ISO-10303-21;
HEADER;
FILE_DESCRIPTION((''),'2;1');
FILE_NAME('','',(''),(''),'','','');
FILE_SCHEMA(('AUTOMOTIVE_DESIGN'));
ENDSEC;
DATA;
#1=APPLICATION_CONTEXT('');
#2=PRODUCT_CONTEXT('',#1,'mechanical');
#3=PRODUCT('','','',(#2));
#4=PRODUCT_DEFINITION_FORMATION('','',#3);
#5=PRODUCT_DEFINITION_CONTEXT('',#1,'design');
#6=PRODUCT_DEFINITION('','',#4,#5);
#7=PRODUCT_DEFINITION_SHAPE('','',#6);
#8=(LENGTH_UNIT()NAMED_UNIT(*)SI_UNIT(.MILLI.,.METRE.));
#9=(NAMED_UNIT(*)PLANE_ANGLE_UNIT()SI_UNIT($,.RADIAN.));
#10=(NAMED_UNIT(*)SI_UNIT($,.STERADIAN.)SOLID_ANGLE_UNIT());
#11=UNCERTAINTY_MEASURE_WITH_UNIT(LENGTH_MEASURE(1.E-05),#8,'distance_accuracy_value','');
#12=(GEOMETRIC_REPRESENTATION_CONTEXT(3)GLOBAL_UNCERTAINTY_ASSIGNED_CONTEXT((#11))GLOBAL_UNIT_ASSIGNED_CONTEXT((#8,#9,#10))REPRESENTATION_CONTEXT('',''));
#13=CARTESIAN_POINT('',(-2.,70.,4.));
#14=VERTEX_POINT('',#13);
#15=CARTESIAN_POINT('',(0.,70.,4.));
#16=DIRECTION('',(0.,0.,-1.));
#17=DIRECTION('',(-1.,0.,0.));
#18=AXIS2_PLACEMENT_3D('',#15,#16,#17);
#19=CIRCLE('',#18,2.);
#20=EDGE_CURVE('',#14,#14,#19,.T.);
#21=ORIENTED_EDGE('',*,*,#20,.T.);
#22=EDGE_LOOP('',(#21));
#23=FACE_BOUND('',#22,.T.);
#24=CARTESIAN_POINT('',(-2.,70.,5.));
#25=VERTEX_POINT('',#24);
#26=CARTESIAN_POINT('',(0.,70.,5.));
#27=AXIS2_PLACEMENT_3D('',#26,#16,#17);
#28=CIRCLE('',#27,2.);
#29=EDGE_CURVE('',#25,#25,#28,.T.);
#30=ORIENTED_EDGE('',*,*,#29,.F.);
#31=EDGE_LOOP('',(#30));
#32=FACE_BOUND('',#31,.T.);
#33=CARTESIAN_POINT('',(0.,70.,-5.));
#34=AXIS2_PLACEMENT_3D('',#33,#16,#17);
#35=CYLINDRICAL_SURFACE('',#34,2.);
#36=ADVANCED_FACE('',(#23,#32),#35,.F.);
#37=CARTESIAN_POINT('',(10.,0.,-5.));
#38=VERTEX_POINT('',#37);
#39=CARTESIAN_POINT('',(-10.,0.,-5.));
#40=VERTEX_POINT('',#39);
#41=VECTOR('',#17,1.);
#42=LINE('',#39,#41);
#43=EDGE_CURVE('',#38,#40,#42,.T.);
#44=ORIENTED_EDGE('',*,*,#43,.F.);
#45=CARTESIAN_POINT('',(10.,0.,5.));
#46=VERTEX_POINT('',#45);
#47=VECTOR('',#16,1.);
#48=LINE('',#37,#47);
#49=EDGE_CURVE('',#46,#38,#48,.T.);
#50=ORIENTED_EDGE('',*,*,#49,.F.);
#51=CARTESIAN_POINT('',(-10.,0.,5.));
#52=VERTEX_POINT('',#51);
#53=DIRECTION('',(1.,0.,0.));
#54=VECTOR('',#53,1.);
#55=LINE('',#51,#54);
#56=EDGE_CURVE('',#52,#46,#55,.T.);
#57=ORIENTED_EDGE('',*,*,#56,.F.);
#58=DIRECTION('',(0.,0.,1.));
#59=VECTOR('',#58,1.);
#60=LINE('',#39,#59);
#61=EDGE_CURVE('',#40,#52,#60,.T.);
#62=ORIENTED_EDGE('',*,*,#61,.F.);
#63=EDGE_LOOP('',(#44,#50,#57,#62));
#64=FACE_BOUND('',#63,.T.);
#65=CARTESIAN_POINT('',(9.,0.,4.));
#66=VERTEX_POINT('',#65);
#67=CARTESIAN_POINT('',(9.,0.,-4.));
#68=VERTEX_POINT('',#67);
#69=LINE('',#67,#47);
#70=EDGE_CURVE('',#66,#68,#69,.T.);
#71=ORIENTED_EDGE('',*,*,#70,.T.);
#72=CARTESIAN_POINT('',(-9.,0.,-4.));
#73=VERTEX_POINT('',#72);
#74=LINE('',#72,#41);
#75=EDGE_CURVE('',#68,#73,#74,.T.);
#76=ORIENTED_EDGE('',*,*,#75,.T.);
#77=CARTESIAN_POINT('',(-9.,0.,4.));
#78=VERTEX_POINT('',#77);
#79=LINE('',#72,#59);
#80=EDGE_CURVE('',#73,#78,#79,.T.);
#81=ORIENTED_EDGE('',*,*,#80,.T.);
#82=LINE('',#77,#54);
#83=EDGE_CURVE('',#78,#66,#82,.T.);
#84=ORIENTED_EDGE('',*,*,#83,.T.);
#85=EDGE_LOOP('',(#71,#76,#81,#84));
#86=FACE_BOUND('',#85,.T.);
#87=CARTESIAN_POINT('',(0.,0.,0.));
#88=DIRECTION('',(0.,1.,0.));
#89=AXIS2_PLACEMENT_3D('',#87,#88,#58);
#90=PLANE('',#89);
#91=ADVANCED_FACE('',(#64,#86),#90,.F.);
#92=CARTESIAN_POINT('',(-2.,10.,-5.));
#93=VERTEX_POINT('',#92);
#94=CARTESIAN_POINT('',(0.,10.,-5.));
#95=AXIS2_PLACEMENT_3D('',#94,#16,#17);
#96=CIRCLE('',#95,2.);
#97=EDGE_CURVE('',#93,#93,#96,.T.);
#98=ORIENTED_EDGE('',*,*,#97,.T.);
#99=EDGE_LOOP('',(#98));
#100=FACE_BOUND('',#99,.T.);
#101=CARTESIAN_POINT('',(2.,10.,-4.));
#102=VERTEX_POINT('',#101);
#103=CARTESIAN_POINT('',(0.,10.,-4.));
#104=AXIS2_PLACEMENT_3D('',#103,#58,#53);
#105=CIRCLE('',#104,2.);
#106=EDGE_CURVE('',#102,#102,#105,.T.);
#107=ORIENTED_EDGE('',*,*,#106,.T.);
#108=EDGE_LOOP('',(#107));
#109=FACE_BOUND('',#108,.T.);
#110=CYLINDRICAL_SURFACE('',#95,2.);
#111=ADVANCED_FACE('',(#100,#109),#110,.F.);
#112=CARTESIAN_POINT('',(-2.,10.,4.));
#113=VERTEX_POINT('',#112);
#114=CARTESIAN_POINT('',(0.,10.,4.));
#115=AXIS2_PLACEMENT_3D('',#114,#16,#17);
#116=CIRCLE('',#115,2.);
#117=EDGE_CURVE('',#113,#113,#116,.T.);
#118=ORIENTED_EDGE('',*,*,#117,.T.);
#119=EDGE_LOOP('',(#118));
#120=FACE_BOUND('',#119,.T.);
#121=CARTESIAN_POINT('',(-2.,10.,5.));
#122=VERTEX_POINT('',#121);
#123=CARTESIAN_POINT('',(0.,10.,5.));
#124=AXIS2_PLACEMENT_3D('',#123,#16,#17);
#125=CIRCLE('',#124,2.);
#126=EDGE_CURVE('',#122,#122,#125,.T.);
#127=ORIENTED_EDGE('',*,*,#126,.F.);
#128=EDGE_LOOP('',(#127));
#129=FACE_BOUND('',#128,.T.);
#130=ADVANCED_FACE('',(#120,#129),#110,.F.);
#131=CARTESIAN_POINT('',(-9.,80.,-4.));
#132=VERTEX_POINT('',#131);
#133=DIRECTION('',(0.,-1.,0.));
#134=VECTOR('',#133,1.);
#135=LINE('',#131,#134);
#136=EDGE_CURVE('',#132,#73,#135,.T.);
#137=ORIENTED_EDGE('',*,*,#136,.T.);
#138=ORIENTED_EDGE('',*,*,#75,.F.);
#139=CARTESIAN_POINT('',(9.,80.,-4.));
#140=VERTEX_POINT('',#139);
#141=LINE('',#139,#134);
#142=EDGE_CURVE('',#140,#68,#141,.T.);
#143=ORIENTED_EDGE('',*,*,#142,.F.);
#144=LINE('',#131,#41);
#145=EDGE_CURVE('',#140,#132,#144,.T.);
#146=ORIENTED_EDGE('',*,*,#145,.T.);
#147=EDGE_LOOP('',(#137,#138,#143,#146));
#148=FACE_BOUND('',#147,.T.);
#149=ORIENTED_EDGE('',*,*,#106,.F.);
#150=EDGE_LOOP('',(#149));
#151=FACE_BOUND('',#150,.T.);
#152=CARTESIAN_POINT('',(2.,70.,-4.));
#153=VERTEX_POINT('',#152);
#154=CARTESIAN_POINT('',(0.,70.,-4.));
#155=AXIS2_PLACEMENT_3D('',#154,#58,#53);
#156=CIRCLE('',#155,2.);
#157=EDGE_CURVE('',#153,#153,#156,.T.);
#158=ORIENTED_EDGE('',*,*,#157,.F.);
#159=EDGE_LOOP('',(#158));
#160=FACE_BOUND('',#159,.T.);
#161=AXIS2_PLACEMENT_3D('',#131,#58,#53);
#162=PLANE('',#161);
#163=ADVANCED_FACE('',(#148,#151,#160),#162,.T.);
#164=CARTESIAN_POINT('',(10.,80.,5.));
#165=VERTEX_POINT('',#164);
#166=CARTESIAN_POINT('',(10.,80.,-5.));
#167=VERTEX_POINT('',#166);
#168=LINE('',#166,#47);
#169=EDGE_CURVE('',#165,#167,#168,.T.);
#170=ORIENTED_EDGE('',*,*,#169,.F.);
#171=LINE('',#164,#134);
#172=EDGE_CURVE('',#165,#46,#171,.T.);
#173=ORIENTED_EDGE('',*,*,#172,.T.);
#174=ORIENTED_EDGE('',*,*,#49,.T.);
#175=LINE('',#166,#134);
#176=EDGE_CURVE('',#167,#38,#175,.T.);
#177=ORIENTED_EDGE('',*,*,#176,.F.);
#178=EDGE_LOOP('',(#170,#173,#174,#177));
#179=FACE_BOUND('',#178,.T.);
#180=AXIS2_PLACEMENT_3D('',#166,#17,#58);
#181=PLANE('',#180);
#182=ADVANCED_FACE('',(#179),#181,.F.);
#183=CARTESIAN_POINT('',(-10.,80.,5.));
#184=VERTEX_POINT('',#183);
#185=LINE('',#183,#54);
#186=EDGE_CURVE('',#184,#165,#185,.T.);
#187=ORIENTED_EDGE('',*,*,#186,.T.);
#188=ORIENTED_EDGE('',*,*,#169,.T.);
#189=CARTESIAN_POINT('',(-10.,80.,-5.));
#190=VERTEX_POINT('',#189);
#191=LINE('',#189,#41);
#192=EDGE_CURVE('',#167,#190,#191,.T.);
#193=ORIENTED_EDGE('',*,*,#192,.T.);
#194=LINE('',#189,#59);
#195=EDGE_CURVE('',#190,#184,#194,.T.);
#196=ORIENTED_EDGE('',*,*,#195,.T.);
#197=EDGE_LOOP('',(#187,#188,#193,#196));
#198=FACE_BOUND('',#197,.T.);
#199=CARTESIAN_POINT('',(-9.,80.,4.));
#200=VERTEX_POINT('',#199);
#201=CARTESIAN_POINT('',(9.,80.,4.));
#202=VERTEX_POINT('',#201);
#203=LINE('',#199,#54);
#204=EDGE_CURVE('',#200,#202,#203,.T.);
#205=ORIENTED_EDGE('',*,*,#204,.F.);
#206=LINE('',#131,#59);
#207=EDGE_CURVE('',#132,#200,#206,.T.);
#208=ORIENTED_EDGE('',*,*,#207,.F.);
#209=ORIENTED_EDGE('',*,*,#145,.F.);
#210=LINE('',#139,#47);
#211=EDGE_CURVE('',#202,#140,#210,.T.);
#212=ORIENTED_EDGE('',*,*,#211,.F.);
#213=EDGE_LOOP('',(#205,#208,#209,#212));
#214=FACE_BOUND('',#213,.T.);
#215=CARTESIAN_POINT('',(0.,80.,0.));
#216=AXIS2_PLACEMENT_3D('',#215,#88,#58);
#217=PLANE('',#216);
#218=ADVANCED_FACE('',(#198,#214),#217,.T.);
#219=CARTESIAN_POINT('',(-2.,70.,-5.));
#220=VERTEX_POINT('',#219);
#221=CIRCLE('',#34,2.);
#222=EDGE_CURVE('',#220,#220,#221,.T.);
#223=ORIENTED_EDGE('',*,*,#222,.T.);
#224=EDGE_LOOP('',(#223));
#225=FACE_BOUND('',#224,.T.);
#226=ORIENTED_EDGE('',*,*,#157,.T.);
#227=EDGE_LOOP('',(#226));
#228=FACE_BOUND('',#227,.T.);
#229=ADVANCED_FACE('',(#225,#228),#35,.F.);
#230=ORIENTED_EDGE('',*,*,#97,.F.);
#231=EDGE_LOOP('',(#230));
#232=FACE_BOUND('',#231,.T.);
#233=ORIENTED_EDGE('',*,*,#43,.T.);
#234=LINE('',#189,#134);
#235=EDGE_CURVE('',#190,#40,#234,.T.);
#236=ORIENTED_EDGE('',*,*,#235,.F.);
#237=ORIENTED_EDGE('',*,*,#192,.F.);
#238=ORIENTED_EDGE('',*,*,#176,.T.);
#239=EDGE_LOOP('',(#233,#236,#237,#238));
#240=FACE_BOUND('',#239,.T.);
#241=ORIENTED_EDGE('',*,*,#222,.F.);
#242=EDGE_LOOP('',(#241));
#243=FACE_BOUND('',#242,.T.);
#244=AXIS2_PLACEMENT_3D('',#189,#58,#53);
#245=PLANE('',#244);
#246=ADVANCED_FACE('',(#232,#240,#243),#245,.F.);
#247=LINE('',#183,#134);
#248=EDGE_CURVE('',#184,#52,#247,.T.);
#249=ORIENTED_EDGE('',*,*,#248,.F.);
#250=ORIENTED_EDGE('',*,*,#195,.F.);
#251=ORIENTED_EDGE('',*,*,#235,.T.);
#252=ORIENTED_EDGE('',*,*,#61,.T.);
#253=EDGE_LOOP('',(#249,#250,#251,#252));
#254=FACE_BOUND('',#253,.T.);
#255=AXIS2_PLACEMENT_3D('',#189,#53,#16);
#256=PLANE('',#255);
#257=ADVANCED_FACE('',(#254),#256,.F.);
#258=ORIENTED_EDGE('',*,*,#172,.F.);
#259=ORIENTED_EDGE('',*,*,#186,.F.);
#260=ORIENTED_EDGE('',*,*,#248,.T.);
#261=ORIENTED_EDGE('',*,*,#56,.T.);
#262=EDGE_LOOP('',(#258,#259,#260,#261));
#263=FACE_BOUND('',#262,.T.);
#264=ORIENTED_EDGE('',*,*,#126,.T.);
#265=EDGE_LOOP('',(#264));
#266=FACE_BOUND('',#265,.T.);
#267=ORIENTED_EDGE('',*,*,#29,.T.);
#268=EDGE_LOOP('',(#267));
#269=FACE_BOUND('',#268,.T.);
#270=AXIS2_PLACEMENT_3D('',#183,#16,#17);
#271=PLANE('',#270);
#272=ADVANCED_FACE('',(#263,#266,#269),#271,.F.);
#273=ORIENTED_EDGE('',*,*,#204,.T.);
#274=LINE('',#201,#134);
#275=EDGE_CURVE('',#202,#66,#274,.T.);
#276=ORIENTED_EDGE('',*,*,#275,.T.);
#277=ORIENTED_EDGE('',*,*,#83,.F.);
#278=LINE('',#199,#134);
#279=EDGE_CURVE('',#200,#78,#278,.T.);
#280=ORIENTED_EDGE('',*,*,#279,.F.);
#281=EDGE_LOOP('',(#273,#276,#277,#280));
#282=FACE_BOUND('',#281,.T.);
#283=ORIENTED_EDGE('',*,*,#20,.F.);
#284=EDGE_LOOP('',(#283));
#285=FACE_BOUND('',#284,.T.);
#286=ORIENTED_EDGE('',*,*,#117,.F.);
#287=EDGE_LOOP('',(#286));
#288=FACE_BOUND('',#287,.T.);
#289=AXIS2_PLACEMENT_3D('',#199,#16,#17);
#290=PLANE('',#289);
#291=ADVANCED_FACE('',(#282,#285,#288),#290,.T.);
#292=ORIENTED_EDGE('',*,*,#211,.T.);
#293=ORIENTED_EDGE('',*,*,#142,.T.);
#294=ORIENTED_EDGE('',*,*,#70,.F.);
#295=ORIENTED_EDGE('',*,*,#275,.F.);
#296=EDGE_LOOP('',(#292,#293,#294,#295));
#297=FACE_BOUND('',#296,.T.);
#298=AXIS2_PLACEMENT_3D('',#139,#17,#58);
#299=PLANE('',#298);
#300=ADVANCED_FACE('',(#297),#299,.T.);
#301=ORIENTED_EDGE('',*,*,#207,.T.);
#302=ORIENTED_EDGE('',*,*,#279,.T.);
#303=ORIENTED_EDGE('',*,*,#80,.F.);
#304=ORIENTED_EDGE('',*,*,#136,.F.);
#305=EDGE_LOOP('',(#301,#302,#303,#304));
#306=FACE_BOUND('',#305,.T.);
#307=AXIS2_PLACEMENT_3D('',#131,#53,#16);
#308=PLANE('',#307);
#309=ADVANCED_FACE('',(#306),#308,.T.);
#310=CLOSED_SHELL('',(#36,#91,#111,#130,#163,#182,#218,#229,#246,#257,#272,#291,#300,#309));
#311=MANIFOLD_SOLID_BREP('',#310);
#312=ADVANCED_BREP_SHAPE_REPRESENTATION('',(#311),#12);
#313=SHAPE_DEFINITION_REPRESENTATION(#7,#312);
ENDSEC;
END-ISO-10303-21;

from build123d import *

# Parameters (mm, degrees)
SKETCH_1_W            = 20
SKETCH_1_H            = 10
SKETCH_1_W_2          = 18
SKETCH_1_H_2          = 8
EXTRUDE_1_DEPTH       = 80
HOLE_WIZARD_4_0_4_1_D = 4


with BuildPart() as part:
    # 草图1 → 凸台-拉伸1 (new body)
    with BuildSketch(Plane(origin=(0, 0, 0), x_dir=(1, 0, 0), z_dir=(0, 1, 0))):
        Rectangle(SKETCH_1_W, SKETCH_1_H)
        Rectangle(SKETCH_1_W_2, SKETCH_1_H_2, mode=Mode.SUBTRACT)
    extrude(amount=EXTRUDE_1_DEPTH)

    # Ø4.0 (4) 直径孔1 (through all)
    with Locations(Plane(origin=(0, 0, -5), x_dir=(-1, 0, 0), z_dir=(0, 0, -1))):
        with Locations((0, 10), (0, 70)):
            Hole(HOLE_WIZARD_4_0_4_1_D / 2)


solid = part.part
